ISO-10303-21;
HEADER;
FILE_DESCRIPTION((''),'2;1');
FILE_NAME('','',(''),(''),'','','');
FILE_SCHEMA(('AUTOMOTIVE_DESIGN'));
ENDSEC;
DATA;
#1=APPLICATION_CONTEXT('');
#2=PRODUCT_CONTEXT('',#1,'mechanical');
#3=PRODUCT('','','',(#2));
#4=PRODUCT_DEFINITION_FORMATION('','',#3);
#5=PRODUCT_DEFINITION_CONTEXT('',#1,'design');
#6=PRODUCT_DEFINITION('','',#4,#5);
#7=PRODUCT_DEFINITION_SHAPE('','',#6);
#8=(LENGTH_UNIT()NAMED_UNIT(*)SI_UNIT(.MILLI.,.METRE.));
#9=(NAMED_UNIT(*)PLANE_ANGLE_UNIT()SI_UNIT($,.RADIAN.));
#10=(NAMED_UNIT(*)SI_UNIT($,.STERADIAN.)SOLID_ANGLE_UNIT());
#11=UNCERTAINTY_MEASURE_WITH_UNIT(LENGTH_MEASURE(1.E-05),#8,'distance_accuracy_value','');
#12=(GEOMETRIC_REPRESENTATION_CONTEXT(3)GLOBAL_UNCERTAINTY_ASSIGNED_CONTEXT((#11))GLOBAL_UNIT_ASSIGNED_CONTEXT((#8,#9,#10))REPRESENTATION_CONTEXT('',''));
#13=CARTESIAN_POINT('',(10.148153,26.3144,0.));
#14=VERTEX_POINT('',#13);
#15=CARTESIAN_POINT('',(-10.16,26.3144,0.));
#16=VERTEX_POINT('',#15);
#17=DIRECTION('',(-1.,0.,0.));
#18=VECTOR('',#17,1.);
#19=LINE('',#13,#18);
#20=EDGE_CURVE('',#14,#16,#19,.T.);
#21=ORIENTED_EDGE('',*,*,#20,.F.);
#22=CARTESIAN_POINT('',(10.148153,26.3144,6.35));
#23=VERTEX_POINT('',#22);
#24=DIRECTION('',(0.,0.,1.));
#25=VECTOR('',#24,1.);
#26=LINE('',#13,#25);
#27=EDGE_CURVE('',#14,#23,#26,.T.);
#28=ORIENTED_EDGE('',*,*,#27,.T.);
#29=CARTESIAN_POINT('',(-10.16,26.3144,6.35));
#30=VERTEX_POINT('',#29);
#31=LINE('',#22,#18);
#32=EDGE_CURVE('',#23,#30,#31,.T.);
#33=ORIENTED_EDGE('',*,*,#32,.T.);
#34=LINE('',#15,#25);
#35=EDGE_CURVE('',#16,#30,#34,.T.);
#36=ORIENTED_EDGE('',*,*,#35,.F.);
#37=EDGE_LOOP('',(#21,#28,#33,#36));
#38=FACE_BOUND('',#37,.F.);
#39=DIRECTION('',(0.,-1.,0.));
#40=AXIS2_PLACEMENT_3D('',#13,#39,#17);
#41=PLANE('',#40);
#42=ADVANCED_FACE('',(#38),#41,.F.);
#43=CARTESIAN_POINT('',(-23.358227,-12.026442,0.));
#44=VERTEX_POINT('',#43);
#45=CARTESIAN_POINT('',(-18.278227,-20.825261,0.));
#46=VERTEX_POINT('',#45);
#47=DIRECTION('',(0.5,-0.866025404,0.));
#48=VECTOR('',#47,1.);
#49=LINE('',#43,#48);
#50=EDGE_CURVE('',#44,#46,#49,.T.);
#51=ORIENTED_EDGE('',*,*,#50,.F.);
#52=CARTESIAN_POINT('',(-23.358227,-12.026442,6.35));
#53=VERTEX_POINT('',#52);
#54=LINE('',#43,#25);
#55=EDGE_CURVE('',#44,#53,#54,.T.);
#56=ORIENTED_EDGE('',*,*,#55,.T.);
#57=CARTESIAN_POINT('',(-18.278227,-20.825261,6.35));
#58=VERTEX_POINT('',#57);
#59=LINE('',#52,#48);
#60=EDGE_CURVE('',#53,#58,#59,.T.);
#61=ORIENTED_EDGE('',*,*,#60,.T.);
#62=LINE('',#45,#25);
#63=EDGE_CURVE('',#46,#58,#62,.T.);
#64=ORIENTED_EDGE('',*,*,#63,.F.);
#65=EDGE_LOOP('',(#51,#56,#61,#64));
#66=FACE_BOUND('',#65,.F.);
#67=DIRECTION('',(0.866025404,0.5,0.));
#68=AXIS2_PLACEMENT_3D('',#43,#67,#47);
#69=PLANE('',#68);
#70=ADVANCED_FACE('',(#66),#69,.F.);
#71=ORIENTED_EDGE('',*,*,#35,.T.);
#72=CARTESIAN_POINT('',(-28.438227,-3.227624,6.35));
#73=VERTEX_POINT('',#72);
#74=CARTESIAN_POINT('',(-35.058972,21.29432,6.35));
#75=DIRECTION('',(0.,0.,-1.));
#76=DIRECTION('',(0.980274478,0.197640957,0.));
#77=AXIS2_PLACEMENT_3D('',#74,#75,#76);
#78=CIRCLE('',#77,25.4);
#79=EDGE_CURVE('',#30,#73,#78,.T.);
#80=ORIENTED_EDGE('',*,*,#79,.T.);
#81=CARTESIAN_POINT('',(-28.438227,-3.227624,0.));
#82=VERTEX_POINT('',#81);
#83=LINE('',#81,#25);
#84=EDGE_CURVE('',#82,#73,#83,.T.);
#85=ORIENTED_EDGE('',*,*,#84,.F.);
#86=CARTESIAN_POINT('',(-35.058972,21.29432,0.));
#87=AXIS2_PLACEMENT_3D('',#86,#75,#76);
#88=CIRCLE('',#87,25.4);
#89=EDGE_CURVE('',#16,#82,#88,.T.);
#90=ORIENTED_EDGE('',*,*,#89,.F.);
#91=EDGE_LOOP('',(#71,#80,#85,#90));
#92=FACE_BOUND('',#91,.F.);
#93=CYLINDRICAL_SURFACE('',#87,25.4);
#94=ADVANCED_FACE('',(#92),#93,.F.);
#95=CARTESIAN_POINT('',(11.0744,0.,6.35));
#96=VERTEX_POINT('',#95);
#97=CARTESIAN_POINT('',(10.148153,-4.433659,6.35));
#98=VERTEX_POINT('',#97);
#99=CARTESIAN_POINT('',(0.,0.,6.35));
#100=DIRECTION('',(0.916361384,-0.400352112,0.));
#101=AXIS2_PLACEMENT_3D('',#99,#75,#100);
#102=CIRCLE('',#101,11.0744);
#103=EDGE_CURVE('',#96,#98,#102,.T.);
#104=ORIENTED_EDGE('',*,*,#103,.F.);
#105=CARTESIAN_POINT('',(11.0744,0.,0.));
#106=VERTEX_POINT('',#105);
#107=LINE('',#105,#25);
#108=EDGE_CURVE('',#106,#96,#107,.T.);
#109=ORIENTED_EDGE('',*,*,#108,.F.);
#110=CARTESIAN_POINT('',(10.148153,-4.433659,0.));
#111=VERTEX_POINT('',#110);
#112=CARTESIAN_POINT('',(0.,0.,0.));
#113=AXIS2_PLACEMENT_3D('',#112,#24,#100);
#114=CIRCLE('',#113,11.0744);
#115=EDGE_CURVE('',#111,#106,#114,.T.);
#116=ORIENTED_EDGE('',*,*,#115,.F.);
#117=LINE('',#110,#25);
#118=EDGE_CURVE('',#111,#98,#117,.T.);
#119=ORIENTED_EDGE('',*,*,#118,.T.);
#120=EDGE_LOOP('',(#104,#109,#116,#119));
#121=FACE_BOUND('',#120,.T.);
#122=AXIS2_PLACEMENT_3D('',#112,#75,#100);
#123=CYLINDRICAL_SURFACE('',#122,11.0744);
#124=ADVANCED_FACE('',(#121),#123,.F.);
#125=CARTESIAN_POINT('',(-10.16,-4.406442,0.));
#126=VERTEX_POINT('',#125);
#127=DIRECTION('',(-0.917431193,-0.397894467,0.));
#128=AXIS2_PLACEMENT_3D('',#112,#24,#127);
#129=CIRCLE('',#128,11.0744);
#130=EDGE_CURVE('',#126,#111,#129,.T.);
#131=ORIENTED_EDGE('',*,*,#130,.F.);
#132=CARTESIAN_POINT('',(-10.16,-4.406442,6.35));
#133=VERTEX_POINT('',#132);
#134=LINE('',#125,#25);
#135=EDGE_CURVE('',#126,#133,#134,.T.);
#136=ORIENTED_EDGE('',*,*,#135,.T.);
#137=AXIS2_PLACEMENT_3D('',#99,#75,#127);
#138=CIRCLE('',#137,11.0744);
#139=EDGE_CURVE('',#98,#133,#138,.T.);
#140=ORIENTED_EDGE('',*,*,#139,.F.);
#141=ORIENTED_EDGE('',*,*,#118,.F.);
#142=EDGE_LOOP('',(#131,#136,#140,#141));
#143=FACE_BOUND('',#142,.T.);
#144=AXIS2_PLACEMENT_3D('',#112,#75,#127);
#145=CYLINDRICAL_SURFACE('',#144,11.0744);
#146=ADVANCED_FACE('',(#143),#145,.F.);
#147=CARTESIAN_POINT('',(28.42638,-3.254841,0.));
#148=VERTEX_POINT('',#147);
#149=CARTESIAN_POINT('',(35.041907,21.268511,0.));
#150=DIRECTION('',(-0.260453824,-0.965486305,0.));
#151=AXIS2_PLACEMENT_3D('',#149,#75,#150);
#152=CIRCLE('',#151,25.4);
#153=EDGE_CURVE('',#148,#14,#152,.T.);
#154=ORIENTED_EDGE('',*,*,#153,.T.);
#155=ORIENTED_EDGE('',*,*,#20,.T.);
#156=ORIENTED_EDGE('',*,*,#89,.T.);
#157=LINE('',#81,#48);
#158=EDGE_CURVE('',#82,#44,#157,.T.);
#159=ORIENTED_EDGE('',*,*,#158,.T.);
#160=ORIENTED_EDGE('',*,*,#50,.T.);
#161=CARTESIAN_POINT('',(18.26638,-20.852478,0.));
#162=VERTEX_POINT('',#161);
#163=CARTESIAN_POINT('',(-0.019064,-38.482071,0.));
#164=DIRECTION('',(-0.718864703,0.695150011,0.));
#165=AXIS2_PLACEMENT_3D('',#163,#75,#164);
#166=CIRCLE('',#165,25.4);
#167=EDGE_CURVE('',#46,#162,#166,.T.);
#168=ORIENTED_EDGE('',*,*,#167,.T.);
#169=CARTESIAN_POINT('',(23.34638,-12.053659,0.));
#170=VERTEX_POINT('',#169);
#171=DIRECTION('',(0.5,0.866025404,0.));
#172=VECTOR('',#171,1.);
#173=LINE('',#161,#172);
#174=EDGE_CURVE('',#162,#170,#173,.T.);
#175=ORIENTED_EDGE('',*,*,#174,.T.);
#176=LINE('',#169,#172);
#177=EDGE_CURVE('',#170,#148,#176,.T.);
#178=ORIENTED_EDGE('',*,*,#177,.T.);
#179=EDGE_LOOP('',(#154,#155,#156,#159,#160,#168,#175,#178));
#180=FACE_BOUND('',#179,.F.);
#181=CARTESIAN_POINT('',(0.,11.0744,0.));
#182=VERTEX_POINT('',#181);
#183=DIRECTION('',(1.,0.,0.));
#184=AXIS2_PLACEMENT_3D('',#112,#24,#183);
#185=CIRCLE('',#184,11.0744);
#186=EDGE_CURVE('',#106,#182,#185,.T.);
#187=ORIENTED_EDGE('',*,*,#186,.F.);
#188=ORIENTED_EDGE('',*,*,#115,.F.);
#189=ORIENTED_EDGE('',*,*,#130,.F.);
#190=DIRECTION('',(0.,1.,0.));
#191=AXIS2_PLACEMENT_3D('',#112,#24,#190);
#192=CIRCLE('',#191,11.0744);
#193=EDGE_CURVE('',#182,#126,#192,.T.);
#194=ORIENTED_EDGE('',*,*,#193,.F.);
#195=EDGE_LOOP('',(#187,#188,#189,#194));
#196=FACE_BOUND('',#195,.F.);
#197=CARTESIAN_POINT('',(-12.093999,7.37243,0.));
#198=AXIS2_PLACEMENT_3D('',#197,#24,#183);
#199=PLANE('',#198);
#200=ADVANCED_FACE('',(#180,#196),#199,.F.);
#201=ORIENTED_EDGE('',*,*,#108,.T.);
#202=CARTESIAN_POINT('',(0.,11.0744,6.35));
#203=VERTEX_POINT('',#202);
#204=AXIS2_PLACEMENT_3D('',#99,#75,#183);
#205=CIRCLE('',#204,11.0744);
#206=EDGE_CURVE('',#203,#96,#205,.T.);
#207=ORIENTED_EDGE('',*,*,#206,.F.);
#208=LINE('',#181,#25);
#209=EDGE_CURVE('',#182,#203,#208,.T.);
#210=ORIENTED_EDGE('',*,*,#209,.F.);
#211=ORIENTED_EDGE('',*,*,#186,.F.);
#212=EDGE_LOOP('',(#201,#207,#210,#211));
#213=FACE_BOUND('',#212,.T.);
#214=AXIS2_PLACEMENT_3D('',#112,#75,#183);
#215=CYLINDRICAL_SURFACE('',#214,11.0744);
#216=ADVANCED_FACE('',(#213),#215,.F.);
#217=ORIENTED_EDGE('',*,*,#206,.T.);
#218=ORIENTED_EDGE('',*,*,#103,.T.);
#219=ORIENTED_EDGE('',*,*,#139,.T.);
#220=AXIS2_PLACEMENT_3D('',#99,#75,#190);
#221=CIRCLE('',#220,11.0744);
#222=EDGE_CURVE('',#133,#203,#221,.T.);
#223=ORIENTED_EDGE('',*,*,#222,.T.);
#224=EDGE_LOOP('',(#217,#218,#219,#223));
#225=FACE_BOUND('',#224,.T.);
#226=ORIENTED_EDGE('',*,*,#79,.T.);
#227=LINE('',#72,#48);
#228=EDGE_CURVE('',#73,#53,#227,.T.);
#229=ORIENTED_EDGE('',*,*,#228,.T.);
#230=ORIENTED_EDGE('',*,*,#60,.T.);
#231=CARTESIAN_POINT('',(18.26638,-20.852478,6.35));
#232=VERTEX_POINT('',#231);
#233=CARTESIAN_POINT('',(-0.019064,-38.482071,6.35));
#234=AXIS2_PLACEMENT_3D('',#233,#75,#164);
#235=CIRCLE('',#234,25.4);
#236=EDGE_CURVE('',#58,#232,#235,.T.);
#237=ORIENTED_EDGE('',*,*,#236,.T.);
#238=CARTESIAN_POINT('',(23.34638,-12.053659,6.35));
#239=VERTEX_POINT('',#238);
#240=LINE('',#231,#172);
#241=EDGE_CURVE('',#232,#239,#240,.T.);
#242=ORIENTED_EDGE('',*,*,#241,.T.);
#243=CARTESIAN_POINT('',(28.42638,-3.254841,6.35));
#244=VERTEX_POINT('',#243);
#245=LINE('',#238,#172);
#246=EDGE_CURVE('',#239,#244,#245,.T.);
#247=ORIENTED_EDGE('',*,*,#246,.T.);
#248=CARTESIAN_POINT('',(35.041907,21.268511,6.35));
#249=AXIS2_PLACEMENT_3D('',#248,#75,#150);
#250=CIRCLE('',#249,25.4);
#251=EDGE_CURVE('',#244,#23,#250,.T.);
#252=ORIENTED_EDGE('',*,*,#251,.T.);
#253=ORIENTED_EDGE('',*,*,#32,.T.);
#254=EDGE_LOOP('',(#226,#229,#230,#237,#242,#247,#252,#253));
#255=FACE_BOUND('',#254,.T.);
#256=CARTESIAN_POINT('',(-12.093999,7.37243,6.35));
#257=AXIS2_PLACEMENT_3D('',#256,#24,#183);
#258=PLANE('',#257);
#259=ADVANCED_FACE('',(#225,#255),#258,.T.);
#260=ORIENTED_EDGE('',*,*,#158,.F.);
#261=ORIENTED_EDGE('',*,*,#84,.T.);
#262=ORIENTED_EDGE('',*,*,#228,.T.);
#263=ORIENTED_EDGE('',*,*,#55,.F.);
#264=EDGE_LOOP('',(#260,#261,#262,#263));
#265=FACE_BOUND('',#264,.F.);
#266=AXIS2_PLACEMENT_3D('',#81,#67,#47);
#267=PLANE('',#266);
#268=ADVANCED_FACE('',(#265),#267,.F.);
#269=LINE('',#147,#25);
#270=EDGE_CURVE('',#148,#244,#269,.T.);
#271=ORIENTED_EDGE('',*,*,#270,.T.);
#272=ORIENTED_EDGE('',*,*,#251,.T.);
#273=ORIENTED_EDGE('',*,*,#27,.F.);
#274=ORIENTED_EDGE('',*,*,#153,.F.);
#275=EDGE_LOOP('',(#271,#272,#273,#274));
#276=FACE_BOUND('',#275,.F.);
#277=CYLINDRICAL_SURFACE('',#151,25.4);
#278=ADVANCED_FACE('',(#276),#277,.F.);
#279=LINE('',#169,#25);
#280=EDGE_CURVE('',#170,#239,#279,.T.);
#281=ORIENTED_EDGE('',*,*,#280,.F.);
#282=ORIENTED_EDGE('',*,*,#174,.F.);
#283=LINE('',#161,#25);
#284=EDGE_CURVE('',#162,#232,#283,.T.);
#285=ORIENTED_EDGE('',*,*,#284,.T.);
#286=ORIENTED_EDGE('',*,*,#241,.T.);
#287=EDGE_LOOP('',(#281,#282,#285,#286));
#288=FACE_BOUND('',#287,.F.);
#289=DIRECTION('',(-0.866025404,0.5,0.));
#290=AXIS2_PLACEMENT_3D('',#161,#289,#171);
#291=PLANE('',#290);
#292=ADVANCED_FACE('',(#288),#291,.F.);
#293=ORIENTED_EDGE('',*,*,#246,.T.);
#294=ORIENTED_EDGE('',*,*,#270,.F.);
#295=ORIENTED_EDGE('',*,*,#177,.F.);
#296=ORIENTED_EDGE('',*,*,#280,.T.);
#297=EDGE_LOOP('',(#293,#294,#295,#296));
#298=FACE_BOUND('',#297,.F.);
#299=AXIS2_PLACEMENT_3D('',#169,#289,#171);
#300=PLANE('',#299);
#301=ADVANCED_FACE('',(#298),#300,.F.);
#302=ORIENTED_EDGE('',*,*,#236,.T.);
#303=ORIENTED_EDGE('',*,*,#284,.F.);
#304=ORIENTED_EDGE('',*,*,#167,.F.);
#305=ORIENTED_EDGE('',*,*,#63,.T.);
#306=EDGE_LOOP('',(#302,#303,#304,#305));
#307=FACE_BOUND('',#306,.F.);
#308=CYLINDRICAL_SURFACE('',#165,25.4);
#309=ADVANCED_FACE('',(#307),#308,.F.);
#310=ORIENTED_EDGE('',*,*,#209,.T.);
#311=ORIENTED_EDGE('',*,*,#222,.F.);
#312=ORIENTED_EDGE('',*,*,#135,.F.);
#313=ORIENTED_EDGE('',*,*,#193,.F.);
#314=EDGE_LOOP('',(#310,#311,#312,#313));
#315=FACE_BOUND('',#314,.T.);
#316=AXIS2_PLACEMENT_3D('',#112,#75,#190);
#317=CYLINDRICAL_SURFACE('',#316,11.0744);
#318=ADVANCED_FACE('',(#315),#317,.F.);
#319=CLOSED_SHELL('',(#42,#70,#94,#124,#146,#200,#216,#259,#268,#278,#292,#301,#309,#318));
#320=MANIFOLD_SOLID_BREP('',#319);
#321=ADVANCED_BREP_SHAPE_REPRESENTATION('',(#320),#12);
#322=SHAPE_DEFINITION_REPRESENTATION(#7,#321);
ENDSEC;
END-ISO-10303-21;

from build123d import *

# Parameters (mm, degrees)
F1_DEPTH = 6.35
F2_DEPTH = 914.4


with BuildPart() as f1:
    # F0 (on Top) → F1 (new body)
    with BuildSketch(Plane.XY):
        with BuildLine():
            ThreePointArc((-10.16, -4.4064424835), (-9.2585377355, 6.0763323116), (0, 11.0744))
            Line((0, 11.0744), (0, 26.3144))
            Line((0, 26.3144), (-10.16, 26.3144))
            ThreePointArc((-10.16, 26.3144), (-13.4590659426, 7.9300363387), (-28.4382271537, -3.227624381))
            Line((-28.4382271537, -3.227624381), (-23.3582271537, -12.0264424835))
            Line((-23.3582271537, -12.0264424835), (-10.16, -4.4064424835))
        make_face()
        with BuildLine():
            ThreePointArc((10.148152514, -4.4336594269), (10.8403652051, -2.2646892899), (11.0744, 0))
            ThreePointArc((11.0744, 0), (7.8307833376, 7.8307833376), (0, 11.0744))
            ThreePointArc((0, 11.0744), (-9.2585377355, 6.0763323116), (-10.16, -4.4064424835))
            ThreePointArc((-10.16, -4.4064424835), (-0.0148418743, -11.0743900545), (10.148152514, -4.4336594269))
        make_face()
        with BuildLine():
            ThreePointArc((0, 11.0744), (7.8307833376, 7.8307833376), (11.0744, 0))
            ThreePointArc((11.0744, 0), (10.8403652051, -2.2646892899), (10.148152514, -4.4336594269))
            Line((10.148152514, -4.4336594269), (23.3463796676, -12.0536594269))
            Line((23.3463796676, -12.0536594269), (28.4263796676, -3.2548413244))
            ThreePointArc((28.4263796676, -3.2548413244), (13.4364974773, 7.9131265949), (10.148152514, 26.3144))
            Line((10.148152514, 26.3144), (0, 26.3144))
            Line((0, 26.3144), (0, 11.0744))
        make_face()
        with BuildLine():
            Line((23.3463796676, -12.0536594269), (10.148152514, -4.4336594269))
            ThreePointArc((10.148152514, -4.4336594269), (-0.0148418743, -11.0743900545), (-10.16, -4.4064424835))
            Line((-10.16, -4.4064424835), (-23.3582271537, -12.0264424835))
            Line((-23.3582271537, -12.0264424835), (-18.2782271537, -20.8252605859))
            ThreePointArc((-18.2782271537, -20.8252605859), (-0.0001467991, -13.082077915), (18.2663796676, -20.8524775293))
            Line((18.2663796676, -20.8524775293), (23.3463796676, -12.0536594269))
        make_face()
    extrude(amount=F1_DEPTH)

    # F0 (on Top) → F2 (cut)
    with BuildSketch(Plane.XY):
        with BuildLine():
            ThreePointArc((10.148152514, -4.4336594269), (10.8403652051, -2.2646892899), (11.0744, 0))
            ThreePointArc((11.0744, 0), (7.8307833376, 7.8307833376), (0, 11.0744))
            ThreePointArc((0, 11.0744), (-9.2585377355, 6.0763323116), (-10.16, -4.4064424835))
            ThreePointArc((-10.16, -4.4064424835), (-0.0148418743, -11.0743900545), (10.148152514, -4.4336594269))
        make_face()
    extrude(amount=F2_DEPTH, mode=Mode.SUBTRACT)


solid = f1.part
